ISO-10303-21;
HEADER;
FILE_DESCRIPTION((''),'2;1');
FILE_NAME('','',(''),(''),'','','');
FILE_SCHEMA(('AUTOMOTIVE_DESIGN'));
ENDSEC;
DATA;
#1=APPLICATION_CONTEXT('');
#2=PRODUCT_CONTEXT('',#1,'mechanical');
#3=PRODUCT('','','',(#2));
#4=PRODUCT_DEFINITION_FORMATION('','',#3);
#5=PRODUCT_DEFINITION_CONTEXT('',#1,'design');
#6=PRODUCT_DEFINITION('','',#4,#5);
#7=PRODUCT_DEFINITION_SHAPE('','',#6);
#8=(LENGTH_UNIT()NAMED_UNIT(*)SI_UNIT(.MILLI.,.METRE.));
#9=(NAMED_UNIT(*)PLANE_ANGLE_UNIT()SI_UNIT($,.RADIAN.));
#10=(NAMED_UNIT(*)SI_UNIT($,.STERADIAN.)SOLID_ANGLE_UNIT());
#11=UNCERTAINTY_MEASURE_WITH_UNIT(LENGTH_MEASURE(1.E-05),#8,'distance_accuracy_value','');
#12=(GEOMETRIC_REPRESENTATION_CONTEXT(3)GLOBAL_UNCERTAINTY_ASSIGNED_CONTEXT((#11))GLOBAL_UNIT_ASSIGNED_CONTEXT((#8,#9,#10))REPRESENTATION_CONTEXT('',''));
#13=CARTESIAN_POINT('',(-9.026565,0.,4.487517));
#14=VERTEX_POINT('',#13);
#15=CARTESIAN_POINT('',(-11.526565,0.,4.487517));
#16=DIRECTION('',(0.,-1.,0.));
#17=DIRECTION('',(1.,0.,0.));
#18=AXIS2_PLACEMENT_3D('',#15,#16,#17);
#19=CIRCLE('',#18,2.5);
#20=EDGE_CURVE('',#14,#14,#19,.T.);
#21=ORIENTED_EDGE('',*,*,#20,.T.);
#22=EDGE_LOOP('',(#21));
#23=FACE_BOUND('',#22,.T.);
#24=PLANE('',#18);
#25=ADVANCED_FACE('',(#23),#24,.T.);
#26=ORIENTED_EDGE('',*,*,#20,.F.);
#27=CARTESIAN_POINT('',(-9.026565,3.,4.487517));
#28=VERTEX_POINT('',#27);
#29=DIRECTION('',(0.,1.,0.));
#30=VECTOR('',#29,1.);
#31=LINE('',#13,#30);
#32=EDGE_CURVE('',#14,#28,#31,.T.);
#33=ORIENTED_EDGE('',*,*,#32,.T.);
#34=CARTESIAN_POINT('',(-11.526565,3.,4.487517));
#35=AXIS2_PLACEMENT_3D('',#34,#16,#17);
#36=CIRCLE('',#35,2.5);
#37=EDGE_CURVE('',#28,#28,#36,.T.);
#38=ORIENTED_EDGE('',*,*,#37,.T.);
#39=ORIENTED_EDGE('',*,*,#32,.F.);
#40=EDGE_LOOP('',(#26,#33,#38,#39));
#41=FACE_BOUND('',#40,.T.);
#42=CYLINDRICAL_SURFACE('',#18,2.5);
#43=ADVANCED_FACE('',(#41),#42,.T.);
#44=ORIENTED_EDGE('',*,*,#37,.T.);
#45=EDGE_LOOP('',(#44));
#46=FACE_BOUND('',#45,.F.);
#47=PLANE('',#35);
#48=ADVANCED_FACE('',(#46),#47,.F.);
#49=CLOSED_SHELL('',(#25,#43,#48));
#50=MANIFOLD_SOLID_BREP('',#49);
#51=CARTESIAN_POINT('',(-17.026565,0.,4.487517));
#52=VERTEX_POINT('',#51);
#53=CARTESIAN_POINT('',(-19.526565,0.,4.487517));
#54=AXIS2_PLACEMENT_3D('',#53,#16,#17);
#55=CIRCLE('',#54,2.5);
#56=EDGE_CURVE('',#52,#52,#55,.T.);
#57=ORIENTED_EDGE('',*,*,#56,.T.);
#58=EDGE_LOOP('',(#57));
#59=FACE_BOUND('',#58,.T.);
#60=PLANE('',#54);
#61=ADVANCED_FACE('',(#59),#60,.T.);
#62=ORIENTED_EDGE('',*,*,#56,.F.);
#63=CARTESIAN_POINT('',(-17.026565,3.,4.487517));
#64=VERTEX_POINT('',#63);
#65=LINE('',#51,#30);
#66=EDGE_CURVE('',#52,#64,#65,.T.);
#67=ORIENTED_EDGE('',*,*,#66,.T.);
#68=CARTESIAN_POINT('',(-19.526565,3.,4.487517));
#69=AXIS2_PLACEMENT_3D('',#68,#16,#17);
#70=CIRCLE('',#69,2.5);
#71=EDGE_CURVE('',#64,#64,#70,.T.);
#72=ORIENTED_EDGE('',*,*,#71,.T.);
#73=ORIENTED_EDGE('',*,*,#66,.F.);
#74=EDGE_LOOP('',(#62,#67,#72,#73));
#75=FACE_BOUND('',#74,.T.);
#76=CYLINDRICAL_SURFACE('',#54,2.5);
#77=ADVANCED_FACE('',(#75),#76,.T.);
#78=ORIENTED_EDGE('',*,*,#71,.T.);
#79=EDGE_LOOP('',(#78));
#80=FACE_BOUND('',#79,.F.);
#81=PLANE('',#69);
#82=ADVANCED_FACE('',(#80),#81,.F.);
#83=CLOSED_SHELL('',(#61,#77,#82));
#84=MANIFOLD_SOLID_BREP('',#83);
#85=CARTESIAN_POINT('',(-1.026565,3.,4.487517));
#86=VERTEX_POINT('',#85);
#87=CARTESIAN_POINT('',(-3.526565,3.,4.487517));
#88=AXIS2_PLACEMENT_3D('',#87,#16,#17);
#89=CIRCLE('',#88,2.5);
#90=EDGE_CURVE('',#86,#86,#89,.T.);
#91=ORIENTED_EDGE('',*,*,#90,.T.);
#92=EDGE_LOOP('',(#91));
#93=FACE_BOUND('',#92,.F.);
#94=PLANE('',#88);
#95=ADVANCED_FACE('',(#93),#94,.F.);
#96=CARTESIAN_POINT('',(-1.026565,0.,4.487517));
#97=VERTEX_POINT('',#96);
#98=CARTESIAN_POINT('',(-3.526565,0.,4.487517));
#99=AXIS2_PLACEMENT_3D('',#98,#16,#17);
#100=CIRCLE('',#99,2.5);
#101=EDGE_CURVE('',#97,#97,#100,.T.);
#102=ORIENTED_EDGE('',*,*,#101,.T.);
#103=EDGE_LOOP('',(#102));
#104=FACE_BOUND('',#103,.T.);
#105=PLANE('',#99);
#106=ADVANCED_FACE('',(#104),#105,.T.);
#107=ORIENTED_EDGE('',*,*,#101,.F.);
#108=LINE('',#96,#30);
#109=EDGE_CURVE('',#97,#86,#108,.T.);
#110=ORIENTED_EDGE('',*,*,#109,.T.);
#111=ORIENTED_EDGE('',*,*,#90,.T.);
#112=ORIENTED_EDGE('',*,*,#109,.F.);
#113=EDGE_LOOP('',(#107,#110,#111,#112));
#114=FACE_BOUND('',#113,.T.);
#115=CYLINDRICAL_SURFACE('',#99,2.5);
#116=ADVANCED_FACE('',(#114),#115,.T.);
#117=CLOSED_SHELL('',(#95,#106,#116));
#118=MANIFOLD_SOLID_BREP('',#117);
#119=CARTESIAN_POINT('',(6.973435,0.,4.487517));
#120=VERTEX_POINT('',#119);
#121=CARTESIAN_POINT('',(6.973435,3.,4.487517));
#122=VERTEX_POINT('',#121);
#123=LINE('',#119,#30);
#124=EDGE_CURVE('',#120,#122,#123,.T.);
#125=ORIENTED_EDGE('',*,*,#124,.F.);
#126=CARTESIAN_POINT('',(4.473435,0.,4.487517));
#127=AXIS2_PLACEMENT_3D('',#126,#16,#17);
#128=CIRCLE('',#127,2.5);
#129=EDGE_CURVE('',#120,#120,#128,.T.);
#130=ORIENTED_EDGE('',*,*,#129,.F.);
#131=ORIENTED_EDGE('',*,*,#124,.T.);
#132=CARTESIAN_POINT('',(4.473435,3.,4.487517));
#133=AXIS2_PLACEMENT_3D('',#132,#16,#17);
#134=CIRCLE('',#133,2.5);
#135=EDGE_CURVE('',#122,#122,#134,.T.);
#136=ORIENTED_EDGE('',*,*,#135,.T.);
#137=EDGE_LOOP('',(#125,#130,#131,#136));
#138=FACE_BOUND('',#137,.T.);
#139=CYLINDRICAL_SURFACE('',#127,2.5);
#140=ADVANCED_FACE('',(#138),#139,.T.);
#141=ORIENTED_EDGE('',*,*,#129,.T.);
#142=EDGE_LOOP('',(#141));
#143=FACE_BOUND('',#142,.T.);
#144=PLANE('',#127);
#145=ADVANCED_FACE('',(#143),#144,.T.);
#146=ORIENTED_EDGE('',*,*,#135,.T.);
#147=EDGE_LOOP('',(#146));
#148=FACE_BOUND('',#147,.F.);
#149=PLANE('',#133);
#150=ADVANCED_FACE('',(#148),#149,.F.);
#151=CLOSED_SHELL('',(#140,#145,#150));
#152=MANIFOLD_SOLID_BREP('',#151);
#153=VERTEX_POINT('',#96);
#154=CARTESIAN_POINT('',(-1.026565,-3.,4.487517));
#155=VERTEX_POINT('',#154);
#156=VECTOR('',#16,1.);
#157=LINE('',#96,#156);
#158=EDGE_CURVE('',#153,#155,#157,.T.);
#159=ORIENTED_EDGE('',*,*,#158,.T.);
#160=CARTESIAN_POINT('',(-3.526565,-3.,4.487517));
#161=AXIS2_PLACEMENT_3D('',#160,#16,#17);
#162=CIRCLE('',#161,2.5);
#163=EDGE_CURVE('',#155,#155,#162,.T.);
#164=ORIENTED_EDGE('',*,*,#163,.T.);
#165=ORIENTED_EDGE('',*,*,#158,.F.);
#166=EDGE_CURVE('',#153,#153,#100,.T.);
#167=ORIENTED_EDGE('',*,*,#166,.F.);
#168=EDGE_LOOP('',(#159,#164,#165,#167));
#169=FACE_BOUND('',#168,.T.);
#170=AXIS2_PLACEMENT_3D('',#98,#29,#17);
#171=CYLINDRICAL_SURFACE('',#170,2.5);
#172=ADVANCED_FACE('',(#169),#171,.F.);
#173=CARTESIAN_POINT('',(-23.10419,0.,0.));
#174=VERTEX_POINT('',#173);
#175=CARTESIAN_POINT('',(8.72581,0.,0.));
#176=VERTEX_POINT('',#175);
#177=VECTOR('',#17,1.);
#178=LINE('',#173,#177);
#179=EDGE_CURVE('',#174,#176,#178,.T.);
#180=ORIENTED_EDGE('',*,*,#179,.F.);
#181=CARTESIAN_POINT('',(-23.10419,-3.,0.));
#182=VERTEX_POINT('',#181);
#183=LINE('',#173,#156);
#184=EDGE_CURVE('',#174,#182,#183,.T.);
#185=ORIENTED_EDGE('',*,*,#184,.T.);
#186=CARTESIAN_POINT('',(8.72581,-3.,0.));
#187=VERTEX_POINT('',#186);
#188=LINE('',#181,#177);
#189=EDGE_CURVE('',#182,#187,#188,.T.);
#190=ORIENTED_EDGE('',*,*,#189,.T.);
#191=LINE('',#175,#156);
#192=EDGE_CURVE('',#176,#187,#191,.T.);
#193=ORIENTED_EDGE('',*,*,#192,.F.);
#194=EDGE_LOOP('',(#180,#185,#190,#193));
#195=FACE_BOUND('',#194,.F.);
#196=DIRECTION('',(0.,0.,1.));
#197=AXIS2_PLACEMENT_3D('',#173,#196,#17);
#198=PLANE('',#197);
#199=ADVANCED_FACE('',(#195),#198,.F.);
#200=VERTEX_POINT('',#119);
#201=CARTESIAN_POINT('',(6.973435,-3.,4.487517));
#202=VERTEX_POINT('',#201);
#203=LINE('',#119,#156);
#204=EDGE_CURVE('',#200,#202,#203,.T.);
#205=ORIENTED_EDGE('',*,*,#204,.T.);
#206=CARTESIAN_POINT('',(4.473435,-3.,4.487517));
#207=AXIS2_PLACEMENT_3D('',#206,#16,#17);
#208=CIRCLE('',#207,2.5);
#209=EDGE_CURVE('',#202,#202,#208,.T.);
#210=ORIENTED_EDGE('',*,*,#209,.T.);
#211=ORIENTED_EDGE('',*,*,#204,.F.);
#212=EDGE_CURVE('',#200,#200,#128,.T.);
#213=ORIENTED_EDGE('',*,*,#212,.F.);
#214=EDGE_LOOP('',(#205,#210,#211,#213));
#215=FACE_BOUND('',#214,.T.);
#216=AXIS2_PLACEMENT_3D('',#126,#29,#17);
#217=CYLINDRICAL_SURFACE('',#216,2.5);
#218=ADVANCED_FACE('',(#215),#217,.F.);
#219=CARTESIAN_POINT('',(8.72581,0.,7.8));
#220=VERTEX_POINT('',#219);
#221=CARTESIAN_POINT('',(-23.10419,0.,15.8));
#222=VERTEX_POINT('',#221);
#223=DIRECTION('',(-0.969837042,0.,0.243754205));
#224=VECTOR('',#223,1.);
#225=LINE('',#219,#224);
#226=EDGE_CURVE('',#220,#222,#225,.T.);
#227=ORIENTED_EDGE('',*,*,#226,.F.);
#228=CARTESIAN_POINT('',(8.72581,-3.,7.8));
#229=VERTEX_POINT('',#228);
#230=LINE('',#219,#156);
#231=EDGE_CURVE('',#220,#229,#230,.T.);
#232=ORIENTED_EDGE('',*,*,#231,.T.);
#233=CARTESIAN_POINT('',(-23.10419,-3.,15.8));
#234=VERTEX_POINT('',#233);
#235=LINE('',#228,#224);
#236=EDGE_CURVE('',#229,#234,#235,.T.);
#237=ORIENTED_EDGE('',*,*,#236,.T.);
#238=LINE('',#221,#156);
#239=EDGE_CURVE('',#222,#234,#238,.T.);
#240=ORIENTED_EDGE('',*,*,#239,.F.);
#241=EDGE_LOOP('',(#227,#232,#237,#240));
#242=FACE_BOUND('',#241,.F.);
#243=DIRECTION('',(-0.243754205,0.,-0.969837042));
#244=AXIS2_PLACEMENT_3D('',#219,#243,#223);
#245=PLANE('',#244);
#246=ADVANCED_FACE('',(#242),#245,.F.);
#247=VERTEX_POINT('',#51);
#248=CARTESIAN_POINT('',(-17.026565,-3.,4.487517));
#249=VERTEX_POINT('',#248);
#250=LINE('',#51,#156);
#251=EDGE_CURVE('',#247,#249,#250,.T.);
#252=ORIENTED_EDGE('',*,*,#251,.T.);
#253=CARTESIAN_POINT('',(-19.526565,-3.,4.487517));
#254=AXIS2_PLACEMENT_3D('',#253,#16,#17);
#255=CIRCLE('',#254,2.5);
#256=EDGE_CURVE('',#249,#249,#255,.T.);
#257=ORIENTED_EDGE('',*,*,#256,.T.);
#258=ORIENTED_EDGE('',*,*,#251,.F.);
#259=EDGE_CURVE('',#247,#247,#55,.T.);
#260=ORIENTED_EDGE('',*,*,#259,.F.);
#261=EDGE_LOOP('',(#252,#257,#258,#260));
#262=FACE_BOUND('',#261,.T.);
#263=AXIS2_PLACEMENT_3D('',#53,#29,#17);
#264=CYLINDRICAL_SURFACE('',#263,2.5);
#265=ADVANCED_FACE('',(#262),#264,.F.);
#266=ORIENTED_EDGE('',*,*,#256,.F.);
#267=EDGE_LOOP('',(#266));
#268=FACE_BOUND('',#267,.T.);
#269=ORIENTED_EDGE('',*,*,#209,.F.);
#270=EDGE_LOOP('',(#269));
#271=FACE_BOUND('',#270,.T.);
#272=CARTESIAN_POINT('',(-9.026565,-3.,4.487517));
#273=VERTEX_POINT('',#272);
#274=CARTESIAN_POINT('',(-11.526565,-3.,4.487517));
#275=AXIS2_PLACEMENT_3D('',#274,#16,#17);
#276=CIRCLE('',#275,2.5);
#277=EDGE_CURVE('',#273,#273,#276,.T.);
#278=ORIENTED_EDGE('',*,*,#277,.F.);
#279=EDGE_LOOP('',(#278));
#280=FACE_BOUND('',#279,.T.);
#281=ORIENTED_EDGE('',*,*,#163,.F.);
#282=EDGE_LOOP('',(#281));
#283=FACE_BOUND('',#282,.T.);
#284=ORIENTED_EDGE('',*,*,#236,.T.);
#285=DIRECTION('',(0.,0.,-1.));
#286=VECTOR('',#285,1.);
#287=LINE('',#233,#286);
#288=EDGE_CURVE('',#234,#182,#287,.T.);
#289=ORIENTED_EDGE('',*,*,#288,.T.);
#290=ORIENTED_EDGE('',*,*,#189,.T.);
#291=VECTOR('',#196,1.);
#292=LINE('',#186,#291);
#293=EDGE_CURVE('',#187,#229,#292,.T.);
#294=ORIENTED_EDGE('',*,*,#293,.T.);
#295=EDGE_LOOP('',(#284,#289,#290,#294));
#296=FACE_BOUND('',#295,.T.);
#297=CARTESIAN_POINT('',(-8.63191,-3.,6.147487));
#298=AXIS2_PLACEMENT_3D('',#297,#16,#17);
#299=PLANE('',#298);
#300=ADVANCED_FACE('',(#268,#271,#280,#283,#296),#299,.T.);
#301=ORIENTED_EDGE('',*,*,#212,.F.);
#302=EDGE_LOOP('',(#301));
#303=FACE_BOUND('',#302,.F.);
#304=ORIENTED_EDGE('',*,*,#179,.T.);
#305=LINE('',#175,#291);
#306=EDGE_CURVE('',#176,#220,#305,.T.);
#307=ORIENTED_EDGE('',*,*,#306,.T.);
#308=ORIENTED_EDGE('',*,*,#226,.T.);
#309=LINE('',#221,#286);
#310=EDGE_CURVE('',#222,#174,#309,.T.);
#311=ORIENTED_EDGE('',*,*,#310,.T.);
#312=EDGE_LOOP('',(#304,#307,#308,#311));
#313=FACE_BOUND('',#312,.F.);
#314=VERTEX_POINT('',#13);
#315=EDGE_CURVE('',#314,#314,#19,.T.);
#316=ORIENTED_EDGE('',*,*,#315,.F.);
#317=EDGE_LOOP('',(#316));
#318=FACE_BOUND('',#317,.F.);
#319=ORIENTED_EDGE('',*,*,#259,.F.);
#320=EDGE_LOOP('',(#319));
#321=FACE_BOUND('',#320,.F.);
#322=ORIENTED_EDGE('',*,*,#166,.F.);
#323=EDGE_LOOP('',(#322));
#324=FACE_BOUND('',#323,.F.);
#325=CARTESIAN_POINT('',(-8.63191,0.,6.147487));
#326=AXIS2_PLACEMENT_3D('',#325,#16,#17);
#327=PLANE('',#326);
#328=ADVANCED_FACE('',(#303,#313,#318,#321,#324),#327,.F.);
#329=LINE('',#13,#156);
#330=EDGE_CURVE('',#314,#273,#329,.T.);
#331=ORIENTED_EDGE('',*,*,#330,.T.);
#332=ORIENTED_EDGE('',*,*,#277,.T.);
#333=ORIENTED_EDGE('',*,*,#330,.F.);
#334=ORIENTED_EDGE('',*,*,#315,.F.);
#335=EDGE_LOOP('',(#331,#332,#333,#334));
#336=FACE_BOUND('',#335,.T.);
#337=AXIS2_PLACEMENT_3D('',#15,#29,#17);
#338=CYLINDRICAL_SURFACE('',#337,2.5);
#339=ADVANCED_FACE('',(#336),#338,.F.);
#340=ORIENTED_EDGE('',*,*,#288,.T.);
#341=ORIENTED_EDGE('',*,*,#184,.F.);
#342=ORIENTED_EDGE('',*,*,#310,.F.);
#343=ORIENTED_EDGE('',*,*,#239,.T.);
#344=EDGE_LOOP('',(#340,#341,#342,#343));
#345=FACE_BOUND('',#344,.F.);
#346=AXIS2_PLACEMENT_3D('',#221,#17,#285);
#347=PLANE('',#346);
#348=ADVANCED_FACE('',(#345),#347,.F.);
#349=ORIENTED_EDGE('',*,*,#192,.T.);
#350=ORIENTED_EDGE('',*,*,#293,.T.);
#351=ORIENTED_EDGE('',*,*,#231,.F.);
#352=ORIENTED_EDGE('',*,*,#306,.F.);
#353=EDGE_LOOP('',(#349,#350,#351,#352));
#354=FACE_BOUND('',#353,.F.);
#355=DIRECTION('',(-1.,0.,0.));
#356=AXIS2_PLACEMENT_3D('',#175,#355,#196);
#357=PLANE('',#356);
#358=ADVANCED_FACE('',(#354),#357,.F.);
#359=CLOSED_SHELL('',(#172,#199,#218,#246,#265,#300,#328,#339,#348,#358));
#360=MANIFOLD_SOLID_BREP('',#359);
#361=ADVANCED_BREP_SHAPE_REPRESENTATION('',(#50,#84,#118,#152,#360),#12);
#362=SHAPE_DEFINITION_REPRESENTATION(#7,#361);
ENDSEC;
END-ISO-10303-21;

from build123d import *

# Parameters (mm, degrees)
F0_R     = 2.5
F1_DEPTH = 3
F2_DEPTH = 3


with BuildPart() as f1:
    # F0 (on Front) → F1 (new body)
    with BuildSketch(Plane.XZ):
        Polygon((-23.10419, 15.8), (-23.10419, 0), (8.72581, 0), (8.72581, 7.8), align=None)
        with Locations((-19.526565, 4.487517)):
            Circle(F0_R, mode=Mode.SUBTRACT)
        with Locations((-11.526565, 4.487517)):
            Circle(F0_R, mode=Mode.SUBTRACT)
        with Locations((-3.526565, 4.487517)):
            Circle(F0_R, mode=Mode.SUBTRACT)
        with Locations((4.473435, 4.487517)):
            Circle(F0_R, mode=Mode.SUBTRACT)
    extrude(amount=F1_DEPTH)


with BuildPart() as f2:
    # F0 (on Front) → F2 (new body)
    with BuildSketch(Plane.XZ):
        with Locations((-19.526565, 4.487517)):
            Circle(F0_R)
        with Locations((-11.526565, 4.487517)):
            Circle(F0_R)
        with Locations((-3.526565, 4.487517)):
            Circle(F0_R)
        with Locations((4.473435, 4.487517)):
            Circle(F0_R)
    extrude(amount=-F2_DEPTH)


solid = Compound([f1.part, f2.part])
